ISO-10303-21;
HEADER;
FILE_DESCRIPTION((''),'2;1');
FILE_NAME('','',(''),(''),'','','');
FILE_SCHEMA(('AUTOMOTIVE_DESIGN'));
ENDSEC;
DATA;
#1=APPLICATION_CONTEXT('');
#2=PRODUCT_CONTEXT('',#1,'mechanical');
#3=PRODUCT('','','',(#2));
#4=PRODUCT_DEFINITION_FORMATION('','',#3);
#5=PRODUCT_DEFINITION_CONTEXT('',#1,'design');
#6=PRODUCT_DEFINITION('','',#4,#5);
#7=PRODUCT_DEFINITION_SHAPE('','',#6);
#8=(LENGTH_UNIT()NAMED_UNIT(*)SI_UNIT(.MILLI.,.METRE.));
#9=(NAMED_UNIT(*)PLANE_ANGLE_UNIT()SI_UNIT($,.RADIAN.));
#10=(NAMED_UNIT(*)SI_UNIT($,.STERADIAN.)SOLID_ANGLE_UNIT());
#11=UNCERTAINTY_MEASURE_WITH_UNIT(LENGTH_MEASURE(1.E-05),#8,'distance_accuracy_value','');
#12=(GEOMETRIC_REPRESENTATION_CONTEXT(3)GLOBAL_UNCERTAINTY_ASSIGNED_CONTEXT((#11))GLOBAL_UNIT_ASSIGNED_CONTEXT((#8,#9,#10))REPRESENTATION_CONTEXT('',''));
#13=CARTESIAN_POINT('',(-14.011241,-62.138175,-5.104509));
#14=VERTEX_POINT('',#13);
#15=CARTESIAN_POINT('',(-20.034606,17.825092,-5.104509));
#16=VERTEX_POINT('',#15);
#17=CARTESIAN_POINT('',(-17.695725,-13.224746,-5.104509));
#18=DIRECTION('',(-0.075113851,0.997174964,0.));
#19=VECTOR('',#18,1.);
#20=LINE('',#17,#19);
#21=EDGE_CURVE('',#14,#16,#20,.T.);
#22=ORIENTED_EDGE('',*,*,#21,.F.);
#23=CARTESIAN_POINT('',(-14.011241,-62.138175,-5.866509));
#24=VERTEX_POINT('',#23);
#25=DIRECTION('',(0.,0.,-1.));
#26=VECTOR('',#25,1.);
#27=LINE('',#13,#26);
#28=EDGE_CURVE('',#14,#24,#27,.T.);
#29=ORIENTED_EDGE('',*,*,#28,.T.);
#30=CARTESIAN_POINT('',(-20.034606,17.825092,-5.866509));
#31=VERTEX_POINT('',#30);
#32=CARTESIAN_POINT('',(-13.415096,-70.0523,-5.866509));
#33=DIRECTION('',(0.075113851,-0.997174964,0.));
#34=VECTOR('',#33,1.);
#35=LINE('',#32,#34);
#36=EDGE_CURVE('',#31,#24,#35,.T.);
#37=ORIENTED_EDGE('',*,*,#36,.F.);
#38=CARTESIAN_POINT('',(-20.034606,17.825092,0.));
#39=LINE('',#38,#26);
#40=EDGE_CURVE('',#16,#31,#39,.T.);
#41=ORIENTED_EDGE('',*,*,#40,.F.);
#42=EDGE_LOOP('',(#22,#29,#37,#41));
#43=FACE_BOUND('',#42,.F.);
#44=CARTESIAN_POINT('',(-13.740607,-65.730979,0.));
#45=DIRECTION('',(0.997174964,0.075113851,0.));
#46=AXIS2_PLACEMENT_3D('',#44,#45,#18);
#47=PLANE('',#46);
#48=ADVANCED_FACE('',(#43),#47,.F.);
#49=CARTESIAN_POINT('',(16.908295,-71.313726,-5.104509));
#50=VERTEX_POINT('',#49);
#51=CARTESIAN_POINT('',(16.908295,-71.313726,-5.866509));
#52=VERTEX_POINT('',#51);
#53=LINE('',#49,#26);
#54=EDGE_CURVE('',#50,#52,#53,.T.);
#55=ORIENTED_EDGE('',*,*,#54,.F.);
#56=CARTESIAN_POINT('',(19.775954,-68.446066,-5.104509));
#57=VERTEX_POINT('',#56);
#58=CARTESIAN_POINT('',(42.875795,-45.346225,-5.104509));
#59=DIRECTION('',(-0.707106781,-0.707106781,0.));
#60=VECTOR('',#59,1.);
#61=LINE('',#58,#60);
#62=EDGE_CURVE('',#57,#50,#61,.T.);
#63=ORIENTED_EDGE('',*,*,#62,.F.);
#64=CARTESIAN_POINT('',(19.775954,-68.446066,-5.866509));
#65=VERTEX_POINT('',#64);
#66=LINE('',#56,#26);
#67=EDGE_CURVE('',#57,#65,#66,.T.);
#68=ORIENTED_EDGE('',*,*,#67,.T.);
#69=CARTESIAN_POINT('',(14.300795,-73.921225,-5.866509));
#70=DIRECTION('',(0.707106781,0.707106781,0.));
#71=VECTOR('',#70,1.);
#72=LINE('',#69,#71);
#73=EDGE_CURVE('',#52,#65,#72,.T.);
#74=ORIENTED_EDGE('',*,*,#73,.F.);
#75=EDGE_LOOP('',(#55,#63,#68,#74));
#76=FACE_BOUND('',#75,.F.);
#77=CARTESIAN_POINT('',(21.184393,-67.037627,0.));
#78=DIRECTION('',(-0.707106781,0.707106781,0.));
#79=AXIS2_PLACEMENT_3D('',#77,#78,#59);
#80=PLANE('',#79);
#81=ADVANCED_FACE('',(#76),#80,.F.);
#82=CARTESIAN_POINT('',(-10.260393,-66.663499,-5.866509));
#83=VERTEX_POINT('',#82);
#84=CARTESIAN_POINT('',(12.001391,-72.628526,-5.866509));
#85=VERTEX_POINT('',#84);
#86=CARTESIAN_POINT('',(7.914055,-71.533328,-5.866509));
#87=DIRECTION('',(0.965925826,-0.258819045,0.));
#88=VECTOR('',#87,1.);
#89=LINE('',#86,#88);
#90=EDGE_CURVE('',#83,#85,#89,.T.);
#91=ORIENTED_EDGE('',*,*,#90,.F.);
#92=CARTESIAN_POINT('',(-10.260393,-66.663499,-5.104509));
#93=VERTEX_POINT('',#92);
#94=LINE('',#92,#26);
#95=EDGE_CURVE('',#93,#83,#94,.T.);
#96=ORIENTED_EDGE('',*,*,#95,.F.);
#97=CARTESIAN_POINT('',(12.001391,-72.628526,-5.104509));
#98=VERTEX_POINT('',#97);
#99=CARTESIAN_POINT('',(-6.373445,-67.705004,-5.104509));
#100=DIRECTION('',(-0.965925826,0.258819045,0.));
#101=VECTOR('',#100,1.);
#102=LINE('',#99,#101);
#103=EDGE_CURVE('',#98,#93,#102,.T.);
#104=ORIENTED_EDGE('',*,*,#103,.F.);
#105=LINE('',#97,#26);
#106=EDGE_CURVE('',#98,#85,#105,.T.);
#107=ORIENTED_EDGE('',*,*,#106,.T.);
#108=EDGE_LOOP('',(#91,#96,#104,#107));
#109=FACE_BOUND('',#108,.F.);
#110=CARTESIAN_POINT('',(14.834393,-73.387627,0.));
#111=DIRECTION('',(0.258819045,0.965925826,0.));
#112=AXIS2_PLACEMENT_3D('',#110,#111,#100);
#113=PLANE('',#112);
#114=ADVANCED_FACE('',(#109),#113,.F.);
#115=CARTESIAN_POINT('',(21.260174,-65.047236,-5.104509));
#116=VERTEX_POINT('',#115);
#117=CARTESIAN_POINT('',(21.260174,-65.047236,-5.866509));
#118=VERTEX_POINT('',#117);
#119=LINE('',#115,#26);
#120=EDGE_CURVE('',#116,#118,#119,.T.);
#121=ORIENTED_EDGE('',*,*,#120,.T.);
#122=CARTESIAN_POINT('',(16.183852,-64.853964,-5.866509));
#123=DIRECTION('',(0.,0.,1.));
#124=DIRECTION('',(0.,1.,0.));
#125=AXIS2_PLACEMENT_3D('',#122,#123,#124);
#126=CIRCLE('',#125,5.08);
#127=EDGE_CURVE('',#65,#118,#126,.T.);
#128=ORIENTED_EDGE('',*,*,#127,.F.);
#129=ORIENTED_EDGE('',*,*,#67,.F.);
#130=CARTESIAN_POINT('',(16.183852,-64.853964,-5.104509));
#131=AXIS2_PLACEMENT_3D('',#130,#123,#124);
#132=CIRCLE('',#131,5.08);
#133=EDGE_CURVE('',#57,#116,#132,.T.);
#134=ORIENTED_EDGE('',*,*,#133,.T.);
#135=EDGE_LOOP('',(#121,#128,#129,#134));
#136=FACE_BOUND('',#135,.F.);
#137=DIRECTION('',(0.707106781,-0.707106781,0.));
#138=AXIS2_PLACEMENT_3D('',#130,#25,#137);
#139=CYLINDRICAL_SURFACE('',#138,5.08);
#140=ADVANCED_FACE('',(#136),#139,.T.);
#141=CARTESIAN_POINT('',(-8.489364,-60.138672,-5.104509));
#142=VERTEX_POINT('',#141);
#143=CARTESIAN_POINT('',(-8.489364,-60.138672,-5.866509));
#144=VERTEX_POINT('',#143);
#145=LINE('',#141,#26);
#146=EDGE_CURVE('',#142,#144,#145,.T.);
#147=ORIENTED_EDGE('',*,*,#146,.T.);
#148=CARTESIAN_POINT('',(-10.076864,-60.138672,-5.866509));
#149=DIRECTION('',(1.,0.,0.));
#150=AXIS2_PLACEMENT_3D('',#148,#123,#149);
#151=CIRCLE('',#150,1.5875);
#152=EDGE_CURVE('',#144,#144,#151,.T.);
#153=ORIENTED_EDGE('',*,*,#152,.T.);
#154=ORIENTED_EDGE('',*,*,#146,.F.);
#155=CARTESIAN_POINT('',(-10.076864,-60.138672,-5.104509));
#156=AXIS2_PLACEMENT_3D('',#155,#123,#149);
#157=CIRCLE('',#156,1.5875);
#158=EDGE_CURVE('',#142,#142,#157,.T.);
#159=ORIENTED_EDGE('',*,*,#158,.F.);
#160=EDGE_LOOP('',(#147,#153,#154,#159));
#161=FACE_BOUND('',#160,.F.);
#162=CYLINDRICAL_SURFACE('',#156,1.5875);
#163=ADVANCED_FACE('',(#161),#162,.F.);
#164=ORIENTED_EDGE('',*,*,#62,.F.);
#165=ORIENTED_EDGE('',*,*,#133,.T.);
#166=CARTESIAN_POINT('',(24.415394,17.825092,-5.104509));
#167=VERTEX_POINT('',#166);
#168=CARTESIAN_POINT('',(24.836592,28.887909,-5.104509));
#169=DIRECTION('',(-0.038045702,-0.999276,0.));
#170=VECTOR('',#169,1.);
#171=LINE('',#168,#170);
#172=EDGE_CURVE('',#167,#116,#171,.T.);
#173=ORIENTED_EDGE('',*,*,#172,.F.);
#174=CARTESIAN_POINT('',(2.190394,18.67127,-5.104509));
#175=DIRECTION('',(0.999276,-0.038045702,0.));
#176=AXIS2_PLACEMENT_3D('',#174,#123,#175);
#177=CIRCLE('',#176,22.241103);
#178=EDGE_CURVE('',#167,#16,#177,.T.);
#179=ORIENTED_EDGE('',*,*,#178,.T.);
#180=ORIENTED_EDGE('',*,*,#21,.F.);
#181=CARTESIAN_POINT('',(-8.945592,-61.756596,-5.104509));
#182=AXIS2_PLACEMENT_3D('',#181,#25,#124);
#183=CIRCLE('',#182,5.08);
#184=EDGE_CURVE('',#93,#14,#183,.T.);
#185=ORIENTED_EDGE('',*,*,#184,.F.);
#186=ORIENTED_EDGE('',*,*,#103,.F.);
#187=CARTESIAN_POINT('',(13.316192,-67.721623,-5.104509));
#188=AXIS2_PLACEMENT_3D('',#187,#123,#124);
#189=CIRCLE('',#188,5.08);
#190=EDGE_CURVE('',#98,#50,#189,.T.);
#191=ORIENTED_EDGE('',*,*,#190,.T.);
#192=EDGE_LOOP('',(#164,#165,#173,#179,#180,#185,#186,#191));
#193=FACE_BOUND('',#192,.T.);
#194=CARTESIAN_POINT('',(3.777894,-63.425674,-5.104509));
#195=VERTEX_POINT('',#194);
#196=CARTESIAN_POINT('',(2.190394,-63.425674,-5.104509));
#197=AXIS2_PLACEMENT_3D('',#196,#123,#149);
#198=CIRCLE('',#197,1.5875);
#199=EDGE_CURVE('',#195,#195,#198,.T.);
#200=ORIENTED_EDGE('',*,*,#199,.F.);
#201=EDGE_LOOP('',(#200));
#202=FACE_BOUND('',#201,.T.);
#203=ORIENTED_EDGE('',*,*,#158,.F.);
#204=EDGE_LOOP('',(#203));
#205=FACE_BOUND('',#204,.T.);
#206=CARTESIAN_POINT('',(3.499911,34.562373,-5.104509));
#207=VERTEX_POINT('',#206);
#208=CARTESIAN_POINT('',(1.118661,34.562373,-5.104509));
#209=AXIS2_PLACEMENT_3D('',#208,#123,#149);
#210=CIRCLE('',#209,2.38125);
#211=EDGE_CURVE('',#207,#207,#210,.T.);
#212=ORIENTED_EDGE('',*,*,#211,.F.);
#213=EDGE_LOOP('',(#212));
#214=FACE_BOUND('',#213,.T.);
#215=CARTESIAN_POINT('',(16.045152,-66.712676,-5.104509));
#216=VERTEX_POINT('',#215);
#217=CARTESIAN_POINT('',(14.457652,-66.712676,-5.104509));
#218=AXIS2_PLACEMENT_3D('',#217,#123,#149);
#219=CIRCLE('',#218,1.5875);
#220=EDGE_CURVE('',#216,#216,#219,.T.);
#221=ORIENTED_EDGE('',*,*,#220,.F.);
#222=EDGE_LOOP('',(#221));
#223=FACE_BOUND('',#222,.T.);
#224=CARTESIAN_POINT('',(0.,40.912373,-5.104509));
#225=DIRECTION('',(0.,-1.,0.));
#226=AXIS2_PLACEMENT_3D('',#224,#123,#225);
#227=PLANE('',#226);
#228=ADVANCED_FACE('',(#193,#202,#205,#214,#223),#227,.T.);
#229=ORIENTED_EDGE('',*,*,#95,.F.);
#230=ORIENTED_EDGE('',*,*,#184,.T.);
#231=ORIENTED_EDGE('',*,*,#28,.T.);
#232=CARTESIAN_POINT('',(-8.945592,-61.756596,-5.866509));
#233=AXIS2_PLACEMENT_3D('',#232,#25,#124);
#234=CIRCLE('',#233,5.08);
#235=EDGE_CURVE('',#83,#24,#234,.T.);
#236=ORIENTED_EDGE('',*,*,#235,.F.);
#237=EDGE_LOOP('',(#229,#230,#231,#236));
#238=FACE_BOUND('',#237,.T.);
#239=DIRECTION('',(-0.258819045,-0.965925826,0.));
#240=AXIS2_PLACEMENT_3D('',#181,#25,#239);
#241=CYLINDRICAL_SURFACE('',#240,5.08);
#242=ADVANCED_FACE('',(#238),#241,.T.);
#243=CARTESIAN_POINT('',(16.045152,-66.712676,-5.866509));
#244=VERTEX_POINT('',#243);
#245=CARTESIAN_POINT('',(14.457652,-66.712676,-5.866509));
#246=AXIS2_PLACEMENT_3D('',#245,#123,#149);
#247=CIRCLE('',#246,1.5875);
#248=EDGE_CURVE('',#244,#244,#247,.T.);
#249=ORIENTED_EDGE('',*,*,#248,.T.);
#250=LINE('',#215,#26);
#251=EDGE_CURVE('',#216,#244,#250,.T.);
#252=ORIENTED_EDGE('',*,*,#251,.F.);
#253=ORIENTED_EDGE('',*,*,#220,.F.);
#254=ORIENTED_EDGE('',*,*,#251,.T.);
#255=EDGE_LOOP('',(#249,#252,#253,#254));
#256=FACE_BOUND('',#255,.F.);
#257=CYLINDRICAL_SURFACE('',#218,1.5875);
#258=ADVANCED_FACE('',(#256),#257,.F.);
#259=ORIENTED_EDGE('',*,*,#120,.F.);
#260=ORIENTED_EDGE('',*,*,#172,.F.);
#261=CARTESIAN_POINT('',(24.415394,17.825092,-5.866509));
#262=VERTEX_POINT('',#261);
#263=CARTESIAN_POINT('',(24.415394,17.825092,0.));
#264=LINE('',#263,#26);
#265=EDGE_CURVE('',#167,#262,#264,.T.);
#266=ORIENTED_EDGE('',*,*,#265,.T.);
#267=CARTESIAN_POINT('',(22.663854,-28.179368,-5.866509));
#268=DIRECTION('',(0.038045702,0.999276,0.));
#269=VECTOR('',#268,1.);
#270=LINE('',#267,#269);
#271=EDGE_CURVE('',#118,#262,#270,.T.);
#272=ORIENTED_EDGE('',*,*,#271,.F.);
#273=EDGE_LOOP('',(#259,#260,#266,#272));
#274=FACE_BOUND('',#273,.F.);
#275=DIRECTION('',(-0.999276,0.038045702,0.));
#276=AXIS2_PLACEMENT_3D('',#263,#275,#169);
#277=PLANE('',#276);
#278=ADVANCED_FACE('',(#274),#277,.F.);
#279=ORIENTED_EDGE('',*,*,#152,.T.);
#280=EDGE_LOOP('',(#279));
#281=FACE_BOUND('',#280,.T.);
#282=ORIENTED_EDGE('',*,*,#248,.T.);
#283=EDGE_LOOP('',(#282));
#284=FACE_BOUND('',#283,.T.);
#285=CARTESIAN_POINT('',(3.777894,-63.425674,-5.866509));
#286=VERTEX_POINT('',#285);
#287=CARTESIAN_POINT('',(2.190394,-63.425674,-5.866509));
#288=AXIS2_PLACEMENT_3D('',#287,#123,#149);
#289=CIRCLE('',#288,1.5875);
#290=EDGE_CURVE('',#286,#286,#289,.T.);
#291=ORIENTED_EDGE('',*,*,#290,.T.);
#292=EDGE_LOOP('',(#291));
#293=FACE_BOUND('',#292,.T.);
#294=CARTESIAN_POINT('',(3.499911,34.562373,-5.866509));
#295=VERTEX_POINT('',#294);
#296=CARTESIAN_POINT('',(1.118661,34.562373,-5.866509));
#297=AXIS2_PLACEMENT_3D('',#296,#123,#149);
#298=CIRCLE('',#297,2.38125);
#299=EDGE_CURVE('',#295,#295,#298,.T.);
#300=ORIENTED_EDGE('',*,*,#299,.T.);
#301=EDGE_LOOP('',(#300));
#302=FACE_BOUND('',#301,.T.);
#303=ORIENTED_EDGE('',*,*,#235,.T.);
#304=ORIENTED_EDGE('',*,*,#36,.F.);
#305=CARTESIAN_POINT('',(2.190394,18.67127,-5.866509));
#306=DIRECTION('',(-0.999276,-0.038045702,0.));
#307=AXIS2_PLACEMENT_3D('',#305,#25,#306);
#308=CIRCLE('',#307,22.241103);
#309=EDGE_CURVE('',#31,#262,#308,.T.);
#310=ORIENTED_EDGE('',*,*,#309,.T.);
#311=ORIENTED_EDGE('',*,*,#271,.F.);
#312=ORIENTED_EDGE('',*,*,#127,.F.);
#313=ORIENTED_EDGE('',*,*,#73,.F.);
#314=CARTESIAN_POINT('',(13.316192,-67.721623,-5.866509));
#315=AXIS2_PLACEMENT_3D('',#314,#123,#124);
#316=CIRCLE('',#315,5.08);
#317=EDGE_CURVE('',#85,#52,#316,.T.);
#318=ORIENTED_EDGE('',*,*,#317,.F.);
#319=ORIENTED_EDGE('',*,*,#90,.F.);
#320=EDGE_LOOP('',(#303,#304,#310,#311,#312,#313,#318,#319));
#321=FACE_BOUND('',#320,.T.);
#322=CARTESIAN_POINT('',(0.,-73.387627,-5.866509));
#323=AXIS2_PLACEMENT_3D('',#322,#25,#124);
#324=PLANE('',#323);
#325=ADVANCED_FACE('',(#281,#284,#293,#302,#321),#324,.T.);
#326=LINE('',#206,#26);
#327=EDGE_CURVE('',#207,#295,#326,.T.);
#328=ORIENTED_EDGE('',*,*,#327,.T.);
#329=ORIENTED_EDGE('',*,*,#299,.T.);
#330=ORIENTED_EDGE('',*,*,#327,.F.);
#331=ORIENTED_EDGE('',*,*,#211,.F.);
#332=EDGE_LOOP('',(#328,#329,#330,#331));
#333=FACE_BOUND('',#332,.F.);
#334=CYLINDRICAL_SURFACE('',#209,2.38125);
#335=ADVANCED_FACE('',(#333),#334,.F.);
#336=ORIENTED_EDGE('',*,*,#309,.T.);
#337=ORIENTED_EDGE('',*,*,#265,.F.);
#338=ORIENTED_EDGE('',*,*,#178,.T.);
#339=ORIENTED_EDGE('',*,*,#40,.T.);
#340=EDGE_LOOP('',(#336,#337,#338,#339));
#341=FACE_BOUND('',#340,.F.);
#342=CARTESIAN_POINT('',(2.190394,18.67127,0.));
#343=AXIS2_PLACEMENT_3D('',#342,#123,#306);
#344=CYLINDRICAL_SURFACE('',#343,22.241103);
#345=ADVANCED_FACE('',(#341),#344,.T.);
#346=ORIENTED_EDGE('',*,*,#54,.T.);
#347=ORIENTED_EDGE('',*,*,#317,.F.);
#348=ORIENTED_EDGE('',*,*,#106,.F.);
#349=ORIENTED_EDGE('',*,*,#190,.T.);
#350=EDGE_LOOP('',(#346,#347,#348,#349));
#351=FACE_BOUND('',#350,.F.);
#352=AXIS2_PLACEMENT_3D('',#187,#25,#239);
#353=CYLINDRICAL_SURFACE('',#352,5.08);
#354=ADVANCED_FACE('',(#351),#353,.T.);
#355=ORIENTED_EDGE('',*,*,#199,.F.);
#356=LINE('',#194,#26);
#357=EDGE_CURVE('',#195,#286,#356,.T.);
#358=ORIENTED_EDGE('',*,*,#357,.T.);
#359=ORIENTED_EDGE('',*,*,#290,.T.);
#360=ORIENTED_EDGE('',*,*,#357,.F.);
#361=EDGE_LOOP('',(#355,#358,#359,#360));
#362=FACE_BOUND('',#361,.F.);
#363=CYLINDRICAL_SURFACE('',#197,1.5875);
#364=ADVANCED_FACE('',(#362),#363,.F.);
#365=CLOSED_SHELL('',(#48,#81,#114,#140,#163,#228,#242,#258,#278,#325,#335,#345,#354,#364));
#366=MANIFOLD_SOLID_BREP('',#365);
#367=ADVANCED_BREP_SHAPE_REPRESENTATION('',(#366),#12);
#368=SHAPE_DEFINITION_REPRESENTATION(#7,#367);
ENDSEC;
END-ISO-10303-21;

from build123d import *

# Parameters (mm, degrees)
F1_DEPTH = 50.8
F2_W     = 141.4932012558
F2_H     = 197.677500546
F3_DEPTH = 25.4
F4_R     = 1.5875
F5_DEPTH = 25.4
F6_R     = 2.38125
F7_DEPTH = 25.4
F8_R     = 5.08


with BuildPart() as f1:
    # F0 (on Right) → F1 (new body, symmetric)
    with BuildSketch(Plane.YZ):
        Polygon((-9.8313118777, -5.1045094135), (-73.3876270169, -5.1045094135), (-73.3876270169, -5.8665094135), (-9.8313118777, -5.8665094135), (40.9123729831, -5.8665094135), (40.9123729831, -5.1045094135), align=None)
    extrude(amount=F1_DEPTH, both=True)

    # F2 (on Top) → F3 (cut)
    with BuildSketch(Plane.XY):
        with Locations((-0.8716285229, -40.7481454313)):
            Rectangle(F2_W, F2_H)
        with BuildLine():
            Line((-13.740606685, -65.7309788432), (-20.0346057486, 17.8250920772))
            ThreePointArc((-20.0346057486, 17.8250920772), (2.1903942514, 40.9123729831), (24.4153942514, 17.8250920772))
            Line((24.4153942514, 17.8250920772), (21.184393315, -67.0376270169))
            Line((21.184393315, -67.0376270169), (14.834393315, -73.3876270169))
            Line((14.834393315, -73.3876270169), (-13.740606685, -65.7309788432))
        make_face(mode=Mode.SUBTRACT)
    extrude(amount=-F3_DEPTH, mode=Mode.SUBTRACT)

    # F4 (on face) → F5 (cut)
    with BuildSketch(Plane.XY.offset(-5.1045094135)):
        with Locations((-10.0768637425, -60.1386720603)):
            Circle(F4_R)
        with Locations((2.1903942514, -63.4256739331)):
            Circle(F4_R)
        with Locations((14.4576522453, -66.7126758059)):
            Circle(F4_R)
    extrude(amount=-F5_DEPTH, mode=Mode.SUBTRACT)

    # F6 (on face) → F7 (cut)
    with BuildSketch(Plane.XY.offset(-5.1045094135)):
        with Locations((1.1186605513, 34.5623729831)):
            Circle(F6_R)
    extrude(amount=-F7_DEPTH, mode=Mode.SUBTRACT)

    # F8
    f8_edges = [f1.edges().sort_by_distance(p)[0] for p in [
        (-13.740607, -65.730979, -5.485509),
        (14.834393, -73.387627, -5.485509),
        (21.184393, -67.037627, -5.485509),
    ]]
    fillet(f8_edges, radius=F8_R)


solid = f1.part
